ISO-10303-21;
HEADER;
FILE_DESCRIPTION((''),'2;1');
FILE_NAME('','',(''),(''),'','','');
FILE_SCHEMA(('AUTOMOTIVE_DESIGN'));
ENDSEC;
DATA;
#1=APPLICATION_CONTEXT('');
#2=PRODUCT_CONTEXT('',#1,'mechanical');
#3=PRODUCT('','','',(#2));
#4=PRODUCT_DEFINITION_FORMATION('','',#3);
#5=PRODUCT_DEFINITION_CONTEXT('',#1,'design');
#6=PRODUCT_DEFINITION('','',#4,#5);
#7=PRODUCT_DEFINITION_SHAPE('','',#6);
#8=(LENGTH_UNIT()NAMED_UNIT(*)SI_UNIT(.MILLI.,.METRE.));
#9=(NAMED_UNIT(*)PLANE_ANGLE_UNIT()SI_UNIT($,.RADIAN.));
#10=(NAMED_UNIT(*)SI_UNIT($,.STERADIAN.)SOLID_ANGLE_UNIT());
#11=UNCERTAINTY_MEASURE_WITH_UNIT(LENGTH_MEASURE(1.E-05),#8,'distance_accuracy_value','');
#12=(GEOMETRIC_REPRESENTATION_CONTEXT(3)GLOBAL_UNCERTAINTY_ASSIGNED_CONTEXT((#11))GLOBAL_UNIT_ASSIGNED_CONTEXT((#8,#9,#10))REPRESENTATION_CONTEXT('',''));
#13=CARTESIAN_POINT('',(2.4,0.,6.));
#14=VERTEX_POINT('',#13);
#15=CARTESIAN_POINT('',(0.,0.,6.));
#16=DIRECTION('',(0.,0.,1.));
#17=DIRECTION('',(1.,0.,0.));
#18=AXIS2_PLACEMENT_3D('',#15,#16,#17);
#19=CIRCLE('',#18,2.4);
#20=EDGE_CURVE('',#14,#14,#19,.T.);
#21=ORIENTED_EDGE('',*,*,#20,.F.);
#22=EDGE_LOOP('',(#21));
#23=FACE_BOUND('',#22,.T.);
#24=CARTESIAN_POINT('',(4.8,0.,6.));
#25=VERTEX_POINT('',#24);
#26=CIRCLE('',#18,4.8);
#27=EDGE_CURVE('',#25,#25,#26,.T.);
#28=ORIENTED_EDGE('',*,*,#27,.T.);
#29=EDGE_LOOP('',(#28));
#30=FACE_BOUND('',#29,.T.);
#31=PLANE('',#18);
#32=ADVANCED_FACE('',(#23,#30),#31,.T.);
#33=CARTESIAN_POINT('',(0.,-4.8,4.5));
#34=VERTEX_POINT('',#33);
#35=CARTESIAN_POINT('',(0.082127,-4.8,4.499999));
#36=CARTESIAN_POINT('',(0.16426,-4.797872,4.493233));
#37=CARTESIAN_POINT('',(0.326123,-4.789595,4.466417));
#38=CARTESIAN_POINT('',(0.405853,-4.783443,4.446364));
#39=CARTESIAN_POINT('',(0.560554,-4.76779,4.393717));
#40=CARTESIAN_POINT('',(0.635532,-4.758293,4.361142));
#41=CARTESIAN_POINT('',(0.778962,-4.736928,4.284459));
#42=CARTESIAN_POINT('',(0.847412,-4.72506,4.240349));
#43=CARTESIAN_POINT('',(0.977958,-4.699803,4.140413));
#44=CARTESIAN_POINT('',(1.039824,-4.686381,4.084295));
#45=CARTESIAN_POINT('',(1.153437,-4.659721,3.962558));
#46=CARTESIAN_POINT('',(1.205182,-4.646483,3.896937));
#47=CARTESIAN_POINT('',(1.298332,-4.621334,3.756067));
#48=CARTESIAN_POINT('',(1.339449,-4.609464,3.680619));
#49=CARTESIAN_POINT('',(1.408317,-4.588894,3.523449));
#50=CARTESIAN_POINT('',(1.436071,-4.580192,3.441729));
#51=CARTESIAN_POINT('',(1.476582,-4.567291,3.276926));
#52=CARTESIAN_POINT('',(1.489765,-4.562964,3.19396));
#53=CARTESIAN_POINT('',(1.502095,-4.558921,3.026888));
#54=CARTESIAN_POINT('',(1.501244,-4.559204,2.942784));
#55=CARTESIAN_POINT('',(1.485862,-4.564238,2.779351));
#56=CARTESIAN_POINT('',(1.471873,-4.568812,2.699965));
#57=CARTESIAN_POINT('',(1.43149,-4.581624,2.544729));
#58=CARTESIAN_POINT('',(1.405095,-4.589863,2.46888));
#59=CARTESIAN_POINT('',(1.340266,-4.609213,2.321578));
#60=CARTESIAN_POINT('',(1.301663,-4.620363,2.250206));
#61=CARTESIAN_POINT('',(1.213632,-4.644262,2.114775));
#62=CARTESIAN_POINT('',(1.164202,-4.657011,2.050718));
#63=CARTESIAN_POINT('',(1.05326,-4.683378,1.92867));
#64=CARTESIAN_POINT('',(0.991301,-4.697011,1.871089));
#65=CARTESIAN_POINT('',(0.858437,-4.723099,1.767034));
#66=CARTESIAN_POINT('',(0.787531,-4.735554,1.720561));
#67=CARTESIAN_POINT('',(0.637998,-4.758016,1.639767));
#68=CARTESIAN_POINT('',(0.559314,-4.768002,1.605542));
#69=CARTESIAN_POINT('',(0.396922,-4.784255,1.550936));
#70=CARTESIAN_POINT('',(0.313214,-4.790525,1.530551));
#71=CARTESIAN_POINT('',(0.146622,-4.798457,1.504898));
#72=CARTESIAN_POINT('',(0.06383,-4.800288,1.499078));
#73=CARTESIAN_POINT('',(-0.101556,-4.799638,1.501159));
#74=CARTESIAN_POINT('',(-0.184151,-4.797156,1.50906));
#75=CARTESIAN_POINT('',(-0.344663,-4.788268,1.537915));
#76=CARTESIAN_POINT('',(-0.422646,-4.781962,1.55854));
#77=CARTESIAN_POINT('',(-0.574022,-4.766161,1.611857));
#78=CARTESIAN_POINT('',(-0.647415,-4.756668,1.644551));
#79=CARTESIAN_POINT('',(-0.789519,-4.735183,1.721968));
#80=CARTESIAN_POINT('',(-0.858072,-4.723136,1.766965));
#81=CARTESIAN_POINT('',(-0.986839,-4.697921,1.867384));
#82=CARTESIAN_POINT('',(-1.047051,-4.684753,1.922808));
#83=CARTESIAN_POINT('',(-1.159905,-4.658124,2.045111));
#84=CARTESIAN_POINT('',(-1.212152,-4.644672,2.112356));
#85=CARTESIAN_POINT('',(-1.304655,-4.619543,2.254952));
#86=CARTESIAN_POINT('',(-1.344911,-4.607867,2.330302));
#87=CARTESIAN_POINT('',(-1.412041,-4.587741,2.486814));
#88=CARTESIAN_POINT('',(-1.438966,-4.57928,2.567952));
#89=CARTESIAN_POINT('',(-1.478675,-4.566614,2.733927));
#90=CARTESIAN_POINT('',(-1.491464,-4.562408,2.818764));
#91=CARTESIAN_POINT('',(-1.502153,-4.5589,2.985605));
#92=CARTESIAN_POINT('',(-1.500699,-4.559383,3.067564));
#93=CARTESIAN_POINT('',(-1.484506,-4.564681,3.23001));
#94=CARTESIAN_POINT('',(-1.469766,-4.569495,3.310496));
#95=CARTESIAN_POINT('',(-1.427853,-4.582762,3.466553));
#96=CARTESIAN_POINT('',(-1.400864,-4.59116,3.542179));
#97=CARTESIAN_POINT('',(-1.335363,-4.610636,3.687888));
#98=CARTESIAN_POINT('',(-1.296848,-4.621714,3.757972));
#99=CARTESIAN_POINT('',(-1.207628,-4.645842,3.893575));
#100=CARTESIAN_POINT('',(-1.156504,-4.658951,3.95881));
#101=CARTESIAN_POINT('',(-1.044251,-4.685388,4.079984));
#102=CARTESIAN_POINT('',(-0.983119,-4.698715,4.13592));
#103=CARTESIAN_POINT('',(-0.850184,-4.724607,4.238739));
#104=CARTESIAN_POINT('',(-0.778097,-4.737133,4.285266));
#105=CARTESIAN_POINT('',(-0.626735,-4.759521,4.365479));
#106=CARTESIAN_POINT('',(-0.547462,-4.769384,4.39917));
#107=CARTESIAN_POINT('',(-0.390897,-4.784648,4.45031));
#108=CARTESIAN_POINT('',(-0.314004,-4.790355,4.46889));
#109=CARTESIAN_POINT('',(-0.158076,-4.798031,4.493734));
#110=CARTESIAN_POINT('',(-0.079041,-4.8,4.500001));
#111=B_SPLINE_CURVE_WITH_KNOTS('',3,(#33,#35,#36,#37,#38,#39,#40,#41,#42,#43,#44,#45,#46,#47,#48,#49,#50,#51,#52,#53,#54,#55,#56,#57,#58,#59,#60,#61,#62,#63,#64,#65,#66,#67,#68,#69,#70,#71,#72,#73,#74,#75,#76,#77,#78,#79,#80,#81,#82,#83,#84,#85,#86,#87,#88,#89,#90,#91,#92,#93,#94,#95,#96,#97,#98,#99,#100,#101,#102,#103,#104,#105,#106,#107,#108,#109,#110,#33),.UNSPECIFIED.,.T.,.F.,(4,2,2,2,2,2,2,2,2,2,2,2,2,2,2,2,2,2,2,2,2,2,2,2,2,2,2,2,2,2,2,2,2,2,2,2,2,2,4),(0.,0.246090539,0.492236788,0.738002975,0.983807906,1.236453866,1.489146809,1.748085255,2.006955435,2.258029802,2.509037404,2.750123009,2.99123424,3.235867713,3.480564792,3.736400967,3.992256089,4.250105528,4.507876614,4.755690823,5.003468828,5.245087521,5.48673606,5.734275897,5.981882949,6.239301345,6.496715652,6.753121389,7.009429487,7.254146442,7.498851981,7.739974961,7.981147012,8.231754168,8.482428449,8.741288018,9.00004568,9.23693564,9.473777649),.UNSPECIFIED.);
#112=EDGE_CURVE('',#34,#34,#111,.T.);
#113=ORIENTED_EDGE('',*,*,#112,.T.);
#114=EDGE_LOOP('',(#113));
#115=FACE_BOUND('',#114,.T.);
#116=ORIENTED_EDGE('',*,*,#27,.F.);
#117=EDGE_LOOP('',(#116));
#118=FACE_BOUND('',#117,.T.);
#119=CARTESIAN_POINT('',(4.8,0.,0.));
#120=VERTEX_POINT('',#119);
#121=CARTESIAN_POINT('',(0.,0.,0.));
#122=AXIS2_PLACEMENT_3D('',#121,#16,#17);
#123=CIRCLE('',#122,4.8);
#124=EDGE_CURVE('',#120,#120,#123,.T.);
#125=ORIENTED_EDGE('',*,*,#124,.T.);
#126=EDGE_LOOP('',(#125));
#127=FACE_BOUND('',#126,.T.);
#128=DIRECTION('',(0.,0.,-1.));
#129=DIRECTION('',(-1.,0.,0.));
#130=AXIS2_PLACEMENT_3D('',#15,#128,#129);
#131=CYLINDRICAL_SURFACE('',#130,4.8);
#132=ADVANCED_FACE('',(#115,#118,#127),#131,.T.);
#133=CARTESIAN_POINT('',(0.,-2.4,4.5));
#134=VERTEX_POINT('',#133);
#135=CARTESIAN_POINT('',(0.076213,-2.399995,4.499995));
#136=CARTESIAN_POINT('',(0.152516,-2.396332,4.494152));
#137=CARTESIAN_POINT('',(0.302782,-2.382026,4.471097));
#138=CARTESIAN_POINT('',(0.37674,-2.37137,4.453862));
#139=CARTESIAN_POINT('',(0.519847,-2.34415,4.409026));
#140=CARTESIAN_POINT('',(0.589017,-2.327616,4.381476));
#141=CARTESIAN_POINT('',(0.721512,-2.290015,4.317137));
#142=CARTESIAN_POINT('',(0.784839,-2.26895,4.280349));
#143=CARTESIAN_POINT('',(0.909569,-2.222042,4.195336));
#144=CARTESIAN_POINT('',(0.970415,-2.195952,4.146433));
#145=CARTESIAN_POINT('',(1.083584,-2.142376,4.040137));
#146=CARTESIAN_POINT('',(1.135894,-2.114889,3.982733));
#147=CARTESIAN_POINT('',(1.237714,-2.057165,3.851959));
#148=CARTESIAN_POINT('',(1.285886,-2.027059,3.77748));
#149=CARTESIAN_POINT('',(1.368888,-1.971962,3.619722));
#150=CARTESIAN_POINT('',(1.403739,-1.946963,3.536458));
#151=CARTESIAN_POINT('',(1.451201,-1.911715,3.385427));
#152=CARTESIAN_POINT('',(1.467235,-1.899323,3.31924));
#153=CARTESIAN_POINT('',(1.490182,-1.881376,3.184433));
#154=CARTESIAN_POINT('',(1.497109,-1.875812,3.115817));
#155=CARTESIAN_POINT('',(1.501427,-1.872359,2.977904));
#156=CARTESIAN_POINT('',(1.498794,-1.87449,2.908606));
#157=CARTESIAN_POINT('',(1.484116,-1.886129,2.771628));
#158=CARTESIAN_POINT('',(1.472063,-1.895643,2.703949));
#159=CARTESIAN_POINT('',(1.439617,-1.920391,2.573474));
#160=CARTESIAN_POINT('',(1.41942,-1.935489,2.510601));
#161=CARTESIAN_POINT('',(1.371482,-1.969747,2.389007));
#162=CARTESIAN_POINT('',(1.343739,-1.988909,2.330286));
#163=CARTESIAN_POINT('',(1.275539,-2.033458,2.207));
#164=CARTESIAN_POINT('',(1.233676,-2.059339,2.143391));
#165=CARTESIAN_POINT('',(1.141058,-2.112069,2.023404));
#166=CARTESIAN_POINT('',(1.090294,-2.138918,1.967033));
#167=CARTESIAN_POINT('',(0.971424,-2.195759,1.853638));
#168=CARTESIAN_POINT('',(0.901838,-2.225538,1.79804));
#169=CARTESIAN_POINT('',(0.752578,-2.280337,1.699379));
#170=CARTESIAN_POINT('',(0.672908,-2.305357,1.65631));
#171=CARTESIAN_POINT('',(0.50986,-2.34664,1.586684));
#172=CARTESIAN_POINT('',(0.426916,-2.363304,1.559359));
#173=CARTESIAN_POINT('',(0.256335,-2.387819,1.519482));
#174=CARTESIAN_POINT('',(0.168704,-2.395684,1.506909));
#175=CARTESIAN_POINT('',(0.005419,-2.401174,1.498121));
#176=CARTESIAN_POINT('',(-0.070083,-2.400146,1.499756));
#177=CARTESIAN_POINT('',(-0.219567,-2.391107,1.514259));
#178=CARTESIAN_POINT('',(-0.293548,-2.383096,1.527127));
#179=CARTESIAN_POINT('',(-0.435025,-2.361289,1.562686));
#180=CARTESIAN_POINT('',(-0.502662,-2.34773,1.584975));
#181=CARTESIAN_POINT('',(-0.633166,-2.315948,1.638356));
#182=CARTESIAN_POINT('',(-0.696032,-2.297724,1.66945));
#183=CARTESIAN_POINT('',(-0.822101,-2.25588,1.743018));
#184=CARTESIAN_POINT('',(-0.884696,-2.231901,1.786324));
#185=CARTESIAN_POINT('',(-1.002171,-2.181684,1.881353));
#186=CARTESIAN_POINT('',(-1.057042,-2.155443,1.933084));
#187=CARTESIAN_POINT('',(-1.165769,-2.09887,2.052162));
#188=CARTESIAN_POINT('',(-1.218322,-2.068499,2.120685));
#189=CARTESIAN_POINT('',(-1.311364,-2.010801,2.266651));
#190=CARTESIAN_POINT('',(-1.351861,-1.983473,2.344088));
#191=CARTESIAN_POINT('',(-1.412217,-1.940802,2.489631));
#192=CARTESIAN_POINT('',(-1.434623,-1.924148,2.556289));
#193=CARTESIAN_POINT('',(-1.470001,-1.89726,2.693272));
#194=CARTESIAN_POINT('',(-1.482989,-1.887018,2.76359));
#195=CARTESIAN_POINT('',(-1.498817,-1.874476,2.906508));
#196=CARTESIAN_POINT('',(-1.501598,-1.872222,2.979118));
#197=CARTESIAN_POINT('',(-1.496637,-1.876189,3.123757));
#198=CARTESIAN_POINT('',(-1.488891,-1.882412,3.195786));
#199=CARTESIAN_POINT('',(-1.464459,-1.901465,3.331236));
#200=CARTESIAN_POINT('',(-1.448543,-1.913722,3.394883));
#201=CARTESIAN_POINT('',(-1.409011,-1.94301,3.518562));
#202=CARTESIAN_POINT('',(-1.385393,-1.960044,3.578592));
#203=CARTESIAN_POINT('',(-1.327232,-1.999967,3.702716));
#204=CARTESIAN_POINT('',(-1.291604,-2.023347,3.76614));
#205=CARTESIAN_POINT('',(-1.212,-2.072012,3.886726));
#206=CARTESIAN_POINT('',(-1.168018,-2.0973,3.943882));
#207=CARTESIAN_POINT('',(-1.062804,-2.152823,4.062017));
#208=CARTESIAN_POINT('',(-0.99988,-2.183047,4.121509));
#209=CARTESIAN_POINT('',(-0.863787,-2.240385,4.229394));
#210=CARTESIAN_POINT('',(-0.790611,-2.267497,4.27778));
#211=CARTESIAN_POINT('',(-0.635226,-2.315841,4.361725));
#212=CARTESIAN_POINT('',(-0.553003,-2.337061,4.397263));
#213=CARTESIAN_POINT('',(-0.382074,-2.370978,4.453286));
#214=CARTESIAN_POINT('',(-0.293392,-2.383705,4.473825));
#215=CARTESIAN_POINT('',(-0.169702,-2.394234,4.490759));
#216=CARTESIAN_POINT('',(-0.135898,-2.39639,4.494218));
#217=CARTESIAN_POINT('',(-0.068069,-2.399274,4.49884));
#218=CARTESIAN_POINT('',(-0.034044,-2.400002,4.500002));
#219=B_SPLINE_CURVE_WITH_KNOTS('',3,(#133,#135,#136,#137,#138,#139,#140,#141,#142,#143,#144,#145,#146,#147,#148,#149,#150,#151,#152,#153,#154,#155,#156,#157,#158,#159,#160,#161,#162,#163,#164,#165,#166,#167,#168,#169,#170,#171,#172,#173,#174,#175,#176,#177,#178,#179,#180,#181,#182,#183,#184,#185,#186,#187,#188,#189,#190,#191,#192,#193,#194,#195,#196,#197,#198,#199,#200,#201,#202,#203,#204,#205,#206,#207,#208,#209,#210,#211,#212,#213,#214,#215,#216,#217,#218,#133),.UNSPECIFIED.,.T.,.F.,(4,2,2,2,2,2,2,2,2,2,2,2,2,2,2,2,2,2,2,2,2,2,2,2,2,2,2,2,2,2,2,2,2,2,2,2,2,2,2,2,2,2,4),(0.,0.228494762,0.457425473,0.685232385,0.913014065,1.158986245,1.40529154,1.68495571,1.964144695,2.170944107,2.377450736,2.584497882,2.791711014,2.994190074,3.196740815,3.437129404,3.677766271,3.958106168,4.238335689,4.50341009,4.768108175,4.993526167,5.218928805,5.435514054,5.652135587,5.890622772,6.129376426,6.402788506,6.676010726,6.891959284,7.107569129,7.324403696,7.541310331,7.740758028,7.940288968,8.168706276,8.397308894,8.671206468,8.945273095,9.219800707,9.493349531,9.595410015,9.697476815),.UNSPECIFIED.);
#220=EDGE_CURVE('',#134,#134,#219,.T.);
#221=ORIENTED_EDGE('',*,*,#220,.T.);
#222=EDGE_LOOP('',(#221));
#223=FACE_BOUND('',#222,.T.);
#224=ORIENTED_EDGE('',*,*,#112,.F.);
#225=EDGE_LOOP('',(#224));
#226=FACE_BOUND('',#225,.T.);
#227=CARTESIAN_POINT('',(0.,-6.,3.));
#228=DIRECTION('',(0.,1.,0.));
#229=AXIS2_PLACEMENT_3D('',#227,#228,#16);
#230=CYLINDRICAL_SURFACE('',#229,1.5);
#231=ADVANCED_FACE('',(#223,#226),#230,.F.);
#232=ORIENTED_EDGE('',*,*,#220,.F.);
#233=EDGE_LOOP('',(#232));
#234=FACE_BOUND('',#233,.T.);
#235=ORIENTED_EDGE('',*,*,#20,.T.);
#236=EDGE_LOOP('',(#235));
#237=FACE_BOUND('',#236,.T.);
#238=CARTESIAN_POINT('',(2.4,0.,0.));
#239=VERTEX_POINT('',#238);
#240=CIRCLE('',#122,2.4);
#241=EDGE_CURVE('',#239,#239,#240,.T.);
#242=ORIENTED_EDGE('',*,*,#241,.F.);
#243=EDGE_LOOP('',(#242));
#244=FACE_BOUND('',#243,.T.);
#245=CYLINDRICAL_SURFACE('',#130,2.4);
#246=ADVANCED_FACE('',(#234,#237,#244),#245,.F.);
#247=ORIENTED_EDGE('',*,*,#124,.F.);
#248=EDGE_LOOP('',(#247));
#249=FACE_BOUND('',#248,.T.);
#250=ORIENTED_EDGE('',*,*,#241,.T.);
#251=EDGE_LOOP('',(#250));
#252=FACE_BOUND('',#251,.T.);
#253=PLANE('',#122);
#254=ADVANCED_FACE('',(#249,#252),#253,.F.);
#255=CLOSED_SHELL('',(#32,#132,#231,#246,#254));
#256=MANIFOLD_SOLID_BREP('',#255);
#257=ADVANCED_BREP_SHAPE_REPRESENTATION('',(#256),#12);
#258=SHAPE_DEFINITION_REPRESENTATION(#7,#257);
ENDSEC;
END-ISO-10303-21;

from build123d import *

# Parameters (mm, degrees)
ESQUISSE1_R             = 4.8
ESQUISSE1_R_2           = 2.4
BOSS_EXTRU_3_DEPTH      = 6
ESQUISSE6_R             = 1.5
ENL_V_MAT_EXTRU_1_DEPTH = 6


with BuildPart() as part:
    # Esquisse1 → Boss.-Extru.3 (new body)
    with BuildSketch(Plane.XY):
        Circle(ESQUISSE1_R)
        Circle(ESQUISSE1_R_2, mode=Mode.SUBTRACT)
    extrude(amount=BOSS_EXTRU_3_DEPTH)

    # Esquisse6 → Enlèv. mat.-Extru.1 (cut)
    with BuildSketch(Plane(origin=(0, 0, 0), x_dir=(1, 0, 0), z_dir=(0, 1, 0))):
        with Locations(Location((0, -3, 0), (0, 0, 270))):
            Circle(ESQUISSE6_R)
    extrude(amount=-ENL_V_MAT_EXTRU_1_DEPTH, mode=Mode.SUBTRACT)


solid = part.part
